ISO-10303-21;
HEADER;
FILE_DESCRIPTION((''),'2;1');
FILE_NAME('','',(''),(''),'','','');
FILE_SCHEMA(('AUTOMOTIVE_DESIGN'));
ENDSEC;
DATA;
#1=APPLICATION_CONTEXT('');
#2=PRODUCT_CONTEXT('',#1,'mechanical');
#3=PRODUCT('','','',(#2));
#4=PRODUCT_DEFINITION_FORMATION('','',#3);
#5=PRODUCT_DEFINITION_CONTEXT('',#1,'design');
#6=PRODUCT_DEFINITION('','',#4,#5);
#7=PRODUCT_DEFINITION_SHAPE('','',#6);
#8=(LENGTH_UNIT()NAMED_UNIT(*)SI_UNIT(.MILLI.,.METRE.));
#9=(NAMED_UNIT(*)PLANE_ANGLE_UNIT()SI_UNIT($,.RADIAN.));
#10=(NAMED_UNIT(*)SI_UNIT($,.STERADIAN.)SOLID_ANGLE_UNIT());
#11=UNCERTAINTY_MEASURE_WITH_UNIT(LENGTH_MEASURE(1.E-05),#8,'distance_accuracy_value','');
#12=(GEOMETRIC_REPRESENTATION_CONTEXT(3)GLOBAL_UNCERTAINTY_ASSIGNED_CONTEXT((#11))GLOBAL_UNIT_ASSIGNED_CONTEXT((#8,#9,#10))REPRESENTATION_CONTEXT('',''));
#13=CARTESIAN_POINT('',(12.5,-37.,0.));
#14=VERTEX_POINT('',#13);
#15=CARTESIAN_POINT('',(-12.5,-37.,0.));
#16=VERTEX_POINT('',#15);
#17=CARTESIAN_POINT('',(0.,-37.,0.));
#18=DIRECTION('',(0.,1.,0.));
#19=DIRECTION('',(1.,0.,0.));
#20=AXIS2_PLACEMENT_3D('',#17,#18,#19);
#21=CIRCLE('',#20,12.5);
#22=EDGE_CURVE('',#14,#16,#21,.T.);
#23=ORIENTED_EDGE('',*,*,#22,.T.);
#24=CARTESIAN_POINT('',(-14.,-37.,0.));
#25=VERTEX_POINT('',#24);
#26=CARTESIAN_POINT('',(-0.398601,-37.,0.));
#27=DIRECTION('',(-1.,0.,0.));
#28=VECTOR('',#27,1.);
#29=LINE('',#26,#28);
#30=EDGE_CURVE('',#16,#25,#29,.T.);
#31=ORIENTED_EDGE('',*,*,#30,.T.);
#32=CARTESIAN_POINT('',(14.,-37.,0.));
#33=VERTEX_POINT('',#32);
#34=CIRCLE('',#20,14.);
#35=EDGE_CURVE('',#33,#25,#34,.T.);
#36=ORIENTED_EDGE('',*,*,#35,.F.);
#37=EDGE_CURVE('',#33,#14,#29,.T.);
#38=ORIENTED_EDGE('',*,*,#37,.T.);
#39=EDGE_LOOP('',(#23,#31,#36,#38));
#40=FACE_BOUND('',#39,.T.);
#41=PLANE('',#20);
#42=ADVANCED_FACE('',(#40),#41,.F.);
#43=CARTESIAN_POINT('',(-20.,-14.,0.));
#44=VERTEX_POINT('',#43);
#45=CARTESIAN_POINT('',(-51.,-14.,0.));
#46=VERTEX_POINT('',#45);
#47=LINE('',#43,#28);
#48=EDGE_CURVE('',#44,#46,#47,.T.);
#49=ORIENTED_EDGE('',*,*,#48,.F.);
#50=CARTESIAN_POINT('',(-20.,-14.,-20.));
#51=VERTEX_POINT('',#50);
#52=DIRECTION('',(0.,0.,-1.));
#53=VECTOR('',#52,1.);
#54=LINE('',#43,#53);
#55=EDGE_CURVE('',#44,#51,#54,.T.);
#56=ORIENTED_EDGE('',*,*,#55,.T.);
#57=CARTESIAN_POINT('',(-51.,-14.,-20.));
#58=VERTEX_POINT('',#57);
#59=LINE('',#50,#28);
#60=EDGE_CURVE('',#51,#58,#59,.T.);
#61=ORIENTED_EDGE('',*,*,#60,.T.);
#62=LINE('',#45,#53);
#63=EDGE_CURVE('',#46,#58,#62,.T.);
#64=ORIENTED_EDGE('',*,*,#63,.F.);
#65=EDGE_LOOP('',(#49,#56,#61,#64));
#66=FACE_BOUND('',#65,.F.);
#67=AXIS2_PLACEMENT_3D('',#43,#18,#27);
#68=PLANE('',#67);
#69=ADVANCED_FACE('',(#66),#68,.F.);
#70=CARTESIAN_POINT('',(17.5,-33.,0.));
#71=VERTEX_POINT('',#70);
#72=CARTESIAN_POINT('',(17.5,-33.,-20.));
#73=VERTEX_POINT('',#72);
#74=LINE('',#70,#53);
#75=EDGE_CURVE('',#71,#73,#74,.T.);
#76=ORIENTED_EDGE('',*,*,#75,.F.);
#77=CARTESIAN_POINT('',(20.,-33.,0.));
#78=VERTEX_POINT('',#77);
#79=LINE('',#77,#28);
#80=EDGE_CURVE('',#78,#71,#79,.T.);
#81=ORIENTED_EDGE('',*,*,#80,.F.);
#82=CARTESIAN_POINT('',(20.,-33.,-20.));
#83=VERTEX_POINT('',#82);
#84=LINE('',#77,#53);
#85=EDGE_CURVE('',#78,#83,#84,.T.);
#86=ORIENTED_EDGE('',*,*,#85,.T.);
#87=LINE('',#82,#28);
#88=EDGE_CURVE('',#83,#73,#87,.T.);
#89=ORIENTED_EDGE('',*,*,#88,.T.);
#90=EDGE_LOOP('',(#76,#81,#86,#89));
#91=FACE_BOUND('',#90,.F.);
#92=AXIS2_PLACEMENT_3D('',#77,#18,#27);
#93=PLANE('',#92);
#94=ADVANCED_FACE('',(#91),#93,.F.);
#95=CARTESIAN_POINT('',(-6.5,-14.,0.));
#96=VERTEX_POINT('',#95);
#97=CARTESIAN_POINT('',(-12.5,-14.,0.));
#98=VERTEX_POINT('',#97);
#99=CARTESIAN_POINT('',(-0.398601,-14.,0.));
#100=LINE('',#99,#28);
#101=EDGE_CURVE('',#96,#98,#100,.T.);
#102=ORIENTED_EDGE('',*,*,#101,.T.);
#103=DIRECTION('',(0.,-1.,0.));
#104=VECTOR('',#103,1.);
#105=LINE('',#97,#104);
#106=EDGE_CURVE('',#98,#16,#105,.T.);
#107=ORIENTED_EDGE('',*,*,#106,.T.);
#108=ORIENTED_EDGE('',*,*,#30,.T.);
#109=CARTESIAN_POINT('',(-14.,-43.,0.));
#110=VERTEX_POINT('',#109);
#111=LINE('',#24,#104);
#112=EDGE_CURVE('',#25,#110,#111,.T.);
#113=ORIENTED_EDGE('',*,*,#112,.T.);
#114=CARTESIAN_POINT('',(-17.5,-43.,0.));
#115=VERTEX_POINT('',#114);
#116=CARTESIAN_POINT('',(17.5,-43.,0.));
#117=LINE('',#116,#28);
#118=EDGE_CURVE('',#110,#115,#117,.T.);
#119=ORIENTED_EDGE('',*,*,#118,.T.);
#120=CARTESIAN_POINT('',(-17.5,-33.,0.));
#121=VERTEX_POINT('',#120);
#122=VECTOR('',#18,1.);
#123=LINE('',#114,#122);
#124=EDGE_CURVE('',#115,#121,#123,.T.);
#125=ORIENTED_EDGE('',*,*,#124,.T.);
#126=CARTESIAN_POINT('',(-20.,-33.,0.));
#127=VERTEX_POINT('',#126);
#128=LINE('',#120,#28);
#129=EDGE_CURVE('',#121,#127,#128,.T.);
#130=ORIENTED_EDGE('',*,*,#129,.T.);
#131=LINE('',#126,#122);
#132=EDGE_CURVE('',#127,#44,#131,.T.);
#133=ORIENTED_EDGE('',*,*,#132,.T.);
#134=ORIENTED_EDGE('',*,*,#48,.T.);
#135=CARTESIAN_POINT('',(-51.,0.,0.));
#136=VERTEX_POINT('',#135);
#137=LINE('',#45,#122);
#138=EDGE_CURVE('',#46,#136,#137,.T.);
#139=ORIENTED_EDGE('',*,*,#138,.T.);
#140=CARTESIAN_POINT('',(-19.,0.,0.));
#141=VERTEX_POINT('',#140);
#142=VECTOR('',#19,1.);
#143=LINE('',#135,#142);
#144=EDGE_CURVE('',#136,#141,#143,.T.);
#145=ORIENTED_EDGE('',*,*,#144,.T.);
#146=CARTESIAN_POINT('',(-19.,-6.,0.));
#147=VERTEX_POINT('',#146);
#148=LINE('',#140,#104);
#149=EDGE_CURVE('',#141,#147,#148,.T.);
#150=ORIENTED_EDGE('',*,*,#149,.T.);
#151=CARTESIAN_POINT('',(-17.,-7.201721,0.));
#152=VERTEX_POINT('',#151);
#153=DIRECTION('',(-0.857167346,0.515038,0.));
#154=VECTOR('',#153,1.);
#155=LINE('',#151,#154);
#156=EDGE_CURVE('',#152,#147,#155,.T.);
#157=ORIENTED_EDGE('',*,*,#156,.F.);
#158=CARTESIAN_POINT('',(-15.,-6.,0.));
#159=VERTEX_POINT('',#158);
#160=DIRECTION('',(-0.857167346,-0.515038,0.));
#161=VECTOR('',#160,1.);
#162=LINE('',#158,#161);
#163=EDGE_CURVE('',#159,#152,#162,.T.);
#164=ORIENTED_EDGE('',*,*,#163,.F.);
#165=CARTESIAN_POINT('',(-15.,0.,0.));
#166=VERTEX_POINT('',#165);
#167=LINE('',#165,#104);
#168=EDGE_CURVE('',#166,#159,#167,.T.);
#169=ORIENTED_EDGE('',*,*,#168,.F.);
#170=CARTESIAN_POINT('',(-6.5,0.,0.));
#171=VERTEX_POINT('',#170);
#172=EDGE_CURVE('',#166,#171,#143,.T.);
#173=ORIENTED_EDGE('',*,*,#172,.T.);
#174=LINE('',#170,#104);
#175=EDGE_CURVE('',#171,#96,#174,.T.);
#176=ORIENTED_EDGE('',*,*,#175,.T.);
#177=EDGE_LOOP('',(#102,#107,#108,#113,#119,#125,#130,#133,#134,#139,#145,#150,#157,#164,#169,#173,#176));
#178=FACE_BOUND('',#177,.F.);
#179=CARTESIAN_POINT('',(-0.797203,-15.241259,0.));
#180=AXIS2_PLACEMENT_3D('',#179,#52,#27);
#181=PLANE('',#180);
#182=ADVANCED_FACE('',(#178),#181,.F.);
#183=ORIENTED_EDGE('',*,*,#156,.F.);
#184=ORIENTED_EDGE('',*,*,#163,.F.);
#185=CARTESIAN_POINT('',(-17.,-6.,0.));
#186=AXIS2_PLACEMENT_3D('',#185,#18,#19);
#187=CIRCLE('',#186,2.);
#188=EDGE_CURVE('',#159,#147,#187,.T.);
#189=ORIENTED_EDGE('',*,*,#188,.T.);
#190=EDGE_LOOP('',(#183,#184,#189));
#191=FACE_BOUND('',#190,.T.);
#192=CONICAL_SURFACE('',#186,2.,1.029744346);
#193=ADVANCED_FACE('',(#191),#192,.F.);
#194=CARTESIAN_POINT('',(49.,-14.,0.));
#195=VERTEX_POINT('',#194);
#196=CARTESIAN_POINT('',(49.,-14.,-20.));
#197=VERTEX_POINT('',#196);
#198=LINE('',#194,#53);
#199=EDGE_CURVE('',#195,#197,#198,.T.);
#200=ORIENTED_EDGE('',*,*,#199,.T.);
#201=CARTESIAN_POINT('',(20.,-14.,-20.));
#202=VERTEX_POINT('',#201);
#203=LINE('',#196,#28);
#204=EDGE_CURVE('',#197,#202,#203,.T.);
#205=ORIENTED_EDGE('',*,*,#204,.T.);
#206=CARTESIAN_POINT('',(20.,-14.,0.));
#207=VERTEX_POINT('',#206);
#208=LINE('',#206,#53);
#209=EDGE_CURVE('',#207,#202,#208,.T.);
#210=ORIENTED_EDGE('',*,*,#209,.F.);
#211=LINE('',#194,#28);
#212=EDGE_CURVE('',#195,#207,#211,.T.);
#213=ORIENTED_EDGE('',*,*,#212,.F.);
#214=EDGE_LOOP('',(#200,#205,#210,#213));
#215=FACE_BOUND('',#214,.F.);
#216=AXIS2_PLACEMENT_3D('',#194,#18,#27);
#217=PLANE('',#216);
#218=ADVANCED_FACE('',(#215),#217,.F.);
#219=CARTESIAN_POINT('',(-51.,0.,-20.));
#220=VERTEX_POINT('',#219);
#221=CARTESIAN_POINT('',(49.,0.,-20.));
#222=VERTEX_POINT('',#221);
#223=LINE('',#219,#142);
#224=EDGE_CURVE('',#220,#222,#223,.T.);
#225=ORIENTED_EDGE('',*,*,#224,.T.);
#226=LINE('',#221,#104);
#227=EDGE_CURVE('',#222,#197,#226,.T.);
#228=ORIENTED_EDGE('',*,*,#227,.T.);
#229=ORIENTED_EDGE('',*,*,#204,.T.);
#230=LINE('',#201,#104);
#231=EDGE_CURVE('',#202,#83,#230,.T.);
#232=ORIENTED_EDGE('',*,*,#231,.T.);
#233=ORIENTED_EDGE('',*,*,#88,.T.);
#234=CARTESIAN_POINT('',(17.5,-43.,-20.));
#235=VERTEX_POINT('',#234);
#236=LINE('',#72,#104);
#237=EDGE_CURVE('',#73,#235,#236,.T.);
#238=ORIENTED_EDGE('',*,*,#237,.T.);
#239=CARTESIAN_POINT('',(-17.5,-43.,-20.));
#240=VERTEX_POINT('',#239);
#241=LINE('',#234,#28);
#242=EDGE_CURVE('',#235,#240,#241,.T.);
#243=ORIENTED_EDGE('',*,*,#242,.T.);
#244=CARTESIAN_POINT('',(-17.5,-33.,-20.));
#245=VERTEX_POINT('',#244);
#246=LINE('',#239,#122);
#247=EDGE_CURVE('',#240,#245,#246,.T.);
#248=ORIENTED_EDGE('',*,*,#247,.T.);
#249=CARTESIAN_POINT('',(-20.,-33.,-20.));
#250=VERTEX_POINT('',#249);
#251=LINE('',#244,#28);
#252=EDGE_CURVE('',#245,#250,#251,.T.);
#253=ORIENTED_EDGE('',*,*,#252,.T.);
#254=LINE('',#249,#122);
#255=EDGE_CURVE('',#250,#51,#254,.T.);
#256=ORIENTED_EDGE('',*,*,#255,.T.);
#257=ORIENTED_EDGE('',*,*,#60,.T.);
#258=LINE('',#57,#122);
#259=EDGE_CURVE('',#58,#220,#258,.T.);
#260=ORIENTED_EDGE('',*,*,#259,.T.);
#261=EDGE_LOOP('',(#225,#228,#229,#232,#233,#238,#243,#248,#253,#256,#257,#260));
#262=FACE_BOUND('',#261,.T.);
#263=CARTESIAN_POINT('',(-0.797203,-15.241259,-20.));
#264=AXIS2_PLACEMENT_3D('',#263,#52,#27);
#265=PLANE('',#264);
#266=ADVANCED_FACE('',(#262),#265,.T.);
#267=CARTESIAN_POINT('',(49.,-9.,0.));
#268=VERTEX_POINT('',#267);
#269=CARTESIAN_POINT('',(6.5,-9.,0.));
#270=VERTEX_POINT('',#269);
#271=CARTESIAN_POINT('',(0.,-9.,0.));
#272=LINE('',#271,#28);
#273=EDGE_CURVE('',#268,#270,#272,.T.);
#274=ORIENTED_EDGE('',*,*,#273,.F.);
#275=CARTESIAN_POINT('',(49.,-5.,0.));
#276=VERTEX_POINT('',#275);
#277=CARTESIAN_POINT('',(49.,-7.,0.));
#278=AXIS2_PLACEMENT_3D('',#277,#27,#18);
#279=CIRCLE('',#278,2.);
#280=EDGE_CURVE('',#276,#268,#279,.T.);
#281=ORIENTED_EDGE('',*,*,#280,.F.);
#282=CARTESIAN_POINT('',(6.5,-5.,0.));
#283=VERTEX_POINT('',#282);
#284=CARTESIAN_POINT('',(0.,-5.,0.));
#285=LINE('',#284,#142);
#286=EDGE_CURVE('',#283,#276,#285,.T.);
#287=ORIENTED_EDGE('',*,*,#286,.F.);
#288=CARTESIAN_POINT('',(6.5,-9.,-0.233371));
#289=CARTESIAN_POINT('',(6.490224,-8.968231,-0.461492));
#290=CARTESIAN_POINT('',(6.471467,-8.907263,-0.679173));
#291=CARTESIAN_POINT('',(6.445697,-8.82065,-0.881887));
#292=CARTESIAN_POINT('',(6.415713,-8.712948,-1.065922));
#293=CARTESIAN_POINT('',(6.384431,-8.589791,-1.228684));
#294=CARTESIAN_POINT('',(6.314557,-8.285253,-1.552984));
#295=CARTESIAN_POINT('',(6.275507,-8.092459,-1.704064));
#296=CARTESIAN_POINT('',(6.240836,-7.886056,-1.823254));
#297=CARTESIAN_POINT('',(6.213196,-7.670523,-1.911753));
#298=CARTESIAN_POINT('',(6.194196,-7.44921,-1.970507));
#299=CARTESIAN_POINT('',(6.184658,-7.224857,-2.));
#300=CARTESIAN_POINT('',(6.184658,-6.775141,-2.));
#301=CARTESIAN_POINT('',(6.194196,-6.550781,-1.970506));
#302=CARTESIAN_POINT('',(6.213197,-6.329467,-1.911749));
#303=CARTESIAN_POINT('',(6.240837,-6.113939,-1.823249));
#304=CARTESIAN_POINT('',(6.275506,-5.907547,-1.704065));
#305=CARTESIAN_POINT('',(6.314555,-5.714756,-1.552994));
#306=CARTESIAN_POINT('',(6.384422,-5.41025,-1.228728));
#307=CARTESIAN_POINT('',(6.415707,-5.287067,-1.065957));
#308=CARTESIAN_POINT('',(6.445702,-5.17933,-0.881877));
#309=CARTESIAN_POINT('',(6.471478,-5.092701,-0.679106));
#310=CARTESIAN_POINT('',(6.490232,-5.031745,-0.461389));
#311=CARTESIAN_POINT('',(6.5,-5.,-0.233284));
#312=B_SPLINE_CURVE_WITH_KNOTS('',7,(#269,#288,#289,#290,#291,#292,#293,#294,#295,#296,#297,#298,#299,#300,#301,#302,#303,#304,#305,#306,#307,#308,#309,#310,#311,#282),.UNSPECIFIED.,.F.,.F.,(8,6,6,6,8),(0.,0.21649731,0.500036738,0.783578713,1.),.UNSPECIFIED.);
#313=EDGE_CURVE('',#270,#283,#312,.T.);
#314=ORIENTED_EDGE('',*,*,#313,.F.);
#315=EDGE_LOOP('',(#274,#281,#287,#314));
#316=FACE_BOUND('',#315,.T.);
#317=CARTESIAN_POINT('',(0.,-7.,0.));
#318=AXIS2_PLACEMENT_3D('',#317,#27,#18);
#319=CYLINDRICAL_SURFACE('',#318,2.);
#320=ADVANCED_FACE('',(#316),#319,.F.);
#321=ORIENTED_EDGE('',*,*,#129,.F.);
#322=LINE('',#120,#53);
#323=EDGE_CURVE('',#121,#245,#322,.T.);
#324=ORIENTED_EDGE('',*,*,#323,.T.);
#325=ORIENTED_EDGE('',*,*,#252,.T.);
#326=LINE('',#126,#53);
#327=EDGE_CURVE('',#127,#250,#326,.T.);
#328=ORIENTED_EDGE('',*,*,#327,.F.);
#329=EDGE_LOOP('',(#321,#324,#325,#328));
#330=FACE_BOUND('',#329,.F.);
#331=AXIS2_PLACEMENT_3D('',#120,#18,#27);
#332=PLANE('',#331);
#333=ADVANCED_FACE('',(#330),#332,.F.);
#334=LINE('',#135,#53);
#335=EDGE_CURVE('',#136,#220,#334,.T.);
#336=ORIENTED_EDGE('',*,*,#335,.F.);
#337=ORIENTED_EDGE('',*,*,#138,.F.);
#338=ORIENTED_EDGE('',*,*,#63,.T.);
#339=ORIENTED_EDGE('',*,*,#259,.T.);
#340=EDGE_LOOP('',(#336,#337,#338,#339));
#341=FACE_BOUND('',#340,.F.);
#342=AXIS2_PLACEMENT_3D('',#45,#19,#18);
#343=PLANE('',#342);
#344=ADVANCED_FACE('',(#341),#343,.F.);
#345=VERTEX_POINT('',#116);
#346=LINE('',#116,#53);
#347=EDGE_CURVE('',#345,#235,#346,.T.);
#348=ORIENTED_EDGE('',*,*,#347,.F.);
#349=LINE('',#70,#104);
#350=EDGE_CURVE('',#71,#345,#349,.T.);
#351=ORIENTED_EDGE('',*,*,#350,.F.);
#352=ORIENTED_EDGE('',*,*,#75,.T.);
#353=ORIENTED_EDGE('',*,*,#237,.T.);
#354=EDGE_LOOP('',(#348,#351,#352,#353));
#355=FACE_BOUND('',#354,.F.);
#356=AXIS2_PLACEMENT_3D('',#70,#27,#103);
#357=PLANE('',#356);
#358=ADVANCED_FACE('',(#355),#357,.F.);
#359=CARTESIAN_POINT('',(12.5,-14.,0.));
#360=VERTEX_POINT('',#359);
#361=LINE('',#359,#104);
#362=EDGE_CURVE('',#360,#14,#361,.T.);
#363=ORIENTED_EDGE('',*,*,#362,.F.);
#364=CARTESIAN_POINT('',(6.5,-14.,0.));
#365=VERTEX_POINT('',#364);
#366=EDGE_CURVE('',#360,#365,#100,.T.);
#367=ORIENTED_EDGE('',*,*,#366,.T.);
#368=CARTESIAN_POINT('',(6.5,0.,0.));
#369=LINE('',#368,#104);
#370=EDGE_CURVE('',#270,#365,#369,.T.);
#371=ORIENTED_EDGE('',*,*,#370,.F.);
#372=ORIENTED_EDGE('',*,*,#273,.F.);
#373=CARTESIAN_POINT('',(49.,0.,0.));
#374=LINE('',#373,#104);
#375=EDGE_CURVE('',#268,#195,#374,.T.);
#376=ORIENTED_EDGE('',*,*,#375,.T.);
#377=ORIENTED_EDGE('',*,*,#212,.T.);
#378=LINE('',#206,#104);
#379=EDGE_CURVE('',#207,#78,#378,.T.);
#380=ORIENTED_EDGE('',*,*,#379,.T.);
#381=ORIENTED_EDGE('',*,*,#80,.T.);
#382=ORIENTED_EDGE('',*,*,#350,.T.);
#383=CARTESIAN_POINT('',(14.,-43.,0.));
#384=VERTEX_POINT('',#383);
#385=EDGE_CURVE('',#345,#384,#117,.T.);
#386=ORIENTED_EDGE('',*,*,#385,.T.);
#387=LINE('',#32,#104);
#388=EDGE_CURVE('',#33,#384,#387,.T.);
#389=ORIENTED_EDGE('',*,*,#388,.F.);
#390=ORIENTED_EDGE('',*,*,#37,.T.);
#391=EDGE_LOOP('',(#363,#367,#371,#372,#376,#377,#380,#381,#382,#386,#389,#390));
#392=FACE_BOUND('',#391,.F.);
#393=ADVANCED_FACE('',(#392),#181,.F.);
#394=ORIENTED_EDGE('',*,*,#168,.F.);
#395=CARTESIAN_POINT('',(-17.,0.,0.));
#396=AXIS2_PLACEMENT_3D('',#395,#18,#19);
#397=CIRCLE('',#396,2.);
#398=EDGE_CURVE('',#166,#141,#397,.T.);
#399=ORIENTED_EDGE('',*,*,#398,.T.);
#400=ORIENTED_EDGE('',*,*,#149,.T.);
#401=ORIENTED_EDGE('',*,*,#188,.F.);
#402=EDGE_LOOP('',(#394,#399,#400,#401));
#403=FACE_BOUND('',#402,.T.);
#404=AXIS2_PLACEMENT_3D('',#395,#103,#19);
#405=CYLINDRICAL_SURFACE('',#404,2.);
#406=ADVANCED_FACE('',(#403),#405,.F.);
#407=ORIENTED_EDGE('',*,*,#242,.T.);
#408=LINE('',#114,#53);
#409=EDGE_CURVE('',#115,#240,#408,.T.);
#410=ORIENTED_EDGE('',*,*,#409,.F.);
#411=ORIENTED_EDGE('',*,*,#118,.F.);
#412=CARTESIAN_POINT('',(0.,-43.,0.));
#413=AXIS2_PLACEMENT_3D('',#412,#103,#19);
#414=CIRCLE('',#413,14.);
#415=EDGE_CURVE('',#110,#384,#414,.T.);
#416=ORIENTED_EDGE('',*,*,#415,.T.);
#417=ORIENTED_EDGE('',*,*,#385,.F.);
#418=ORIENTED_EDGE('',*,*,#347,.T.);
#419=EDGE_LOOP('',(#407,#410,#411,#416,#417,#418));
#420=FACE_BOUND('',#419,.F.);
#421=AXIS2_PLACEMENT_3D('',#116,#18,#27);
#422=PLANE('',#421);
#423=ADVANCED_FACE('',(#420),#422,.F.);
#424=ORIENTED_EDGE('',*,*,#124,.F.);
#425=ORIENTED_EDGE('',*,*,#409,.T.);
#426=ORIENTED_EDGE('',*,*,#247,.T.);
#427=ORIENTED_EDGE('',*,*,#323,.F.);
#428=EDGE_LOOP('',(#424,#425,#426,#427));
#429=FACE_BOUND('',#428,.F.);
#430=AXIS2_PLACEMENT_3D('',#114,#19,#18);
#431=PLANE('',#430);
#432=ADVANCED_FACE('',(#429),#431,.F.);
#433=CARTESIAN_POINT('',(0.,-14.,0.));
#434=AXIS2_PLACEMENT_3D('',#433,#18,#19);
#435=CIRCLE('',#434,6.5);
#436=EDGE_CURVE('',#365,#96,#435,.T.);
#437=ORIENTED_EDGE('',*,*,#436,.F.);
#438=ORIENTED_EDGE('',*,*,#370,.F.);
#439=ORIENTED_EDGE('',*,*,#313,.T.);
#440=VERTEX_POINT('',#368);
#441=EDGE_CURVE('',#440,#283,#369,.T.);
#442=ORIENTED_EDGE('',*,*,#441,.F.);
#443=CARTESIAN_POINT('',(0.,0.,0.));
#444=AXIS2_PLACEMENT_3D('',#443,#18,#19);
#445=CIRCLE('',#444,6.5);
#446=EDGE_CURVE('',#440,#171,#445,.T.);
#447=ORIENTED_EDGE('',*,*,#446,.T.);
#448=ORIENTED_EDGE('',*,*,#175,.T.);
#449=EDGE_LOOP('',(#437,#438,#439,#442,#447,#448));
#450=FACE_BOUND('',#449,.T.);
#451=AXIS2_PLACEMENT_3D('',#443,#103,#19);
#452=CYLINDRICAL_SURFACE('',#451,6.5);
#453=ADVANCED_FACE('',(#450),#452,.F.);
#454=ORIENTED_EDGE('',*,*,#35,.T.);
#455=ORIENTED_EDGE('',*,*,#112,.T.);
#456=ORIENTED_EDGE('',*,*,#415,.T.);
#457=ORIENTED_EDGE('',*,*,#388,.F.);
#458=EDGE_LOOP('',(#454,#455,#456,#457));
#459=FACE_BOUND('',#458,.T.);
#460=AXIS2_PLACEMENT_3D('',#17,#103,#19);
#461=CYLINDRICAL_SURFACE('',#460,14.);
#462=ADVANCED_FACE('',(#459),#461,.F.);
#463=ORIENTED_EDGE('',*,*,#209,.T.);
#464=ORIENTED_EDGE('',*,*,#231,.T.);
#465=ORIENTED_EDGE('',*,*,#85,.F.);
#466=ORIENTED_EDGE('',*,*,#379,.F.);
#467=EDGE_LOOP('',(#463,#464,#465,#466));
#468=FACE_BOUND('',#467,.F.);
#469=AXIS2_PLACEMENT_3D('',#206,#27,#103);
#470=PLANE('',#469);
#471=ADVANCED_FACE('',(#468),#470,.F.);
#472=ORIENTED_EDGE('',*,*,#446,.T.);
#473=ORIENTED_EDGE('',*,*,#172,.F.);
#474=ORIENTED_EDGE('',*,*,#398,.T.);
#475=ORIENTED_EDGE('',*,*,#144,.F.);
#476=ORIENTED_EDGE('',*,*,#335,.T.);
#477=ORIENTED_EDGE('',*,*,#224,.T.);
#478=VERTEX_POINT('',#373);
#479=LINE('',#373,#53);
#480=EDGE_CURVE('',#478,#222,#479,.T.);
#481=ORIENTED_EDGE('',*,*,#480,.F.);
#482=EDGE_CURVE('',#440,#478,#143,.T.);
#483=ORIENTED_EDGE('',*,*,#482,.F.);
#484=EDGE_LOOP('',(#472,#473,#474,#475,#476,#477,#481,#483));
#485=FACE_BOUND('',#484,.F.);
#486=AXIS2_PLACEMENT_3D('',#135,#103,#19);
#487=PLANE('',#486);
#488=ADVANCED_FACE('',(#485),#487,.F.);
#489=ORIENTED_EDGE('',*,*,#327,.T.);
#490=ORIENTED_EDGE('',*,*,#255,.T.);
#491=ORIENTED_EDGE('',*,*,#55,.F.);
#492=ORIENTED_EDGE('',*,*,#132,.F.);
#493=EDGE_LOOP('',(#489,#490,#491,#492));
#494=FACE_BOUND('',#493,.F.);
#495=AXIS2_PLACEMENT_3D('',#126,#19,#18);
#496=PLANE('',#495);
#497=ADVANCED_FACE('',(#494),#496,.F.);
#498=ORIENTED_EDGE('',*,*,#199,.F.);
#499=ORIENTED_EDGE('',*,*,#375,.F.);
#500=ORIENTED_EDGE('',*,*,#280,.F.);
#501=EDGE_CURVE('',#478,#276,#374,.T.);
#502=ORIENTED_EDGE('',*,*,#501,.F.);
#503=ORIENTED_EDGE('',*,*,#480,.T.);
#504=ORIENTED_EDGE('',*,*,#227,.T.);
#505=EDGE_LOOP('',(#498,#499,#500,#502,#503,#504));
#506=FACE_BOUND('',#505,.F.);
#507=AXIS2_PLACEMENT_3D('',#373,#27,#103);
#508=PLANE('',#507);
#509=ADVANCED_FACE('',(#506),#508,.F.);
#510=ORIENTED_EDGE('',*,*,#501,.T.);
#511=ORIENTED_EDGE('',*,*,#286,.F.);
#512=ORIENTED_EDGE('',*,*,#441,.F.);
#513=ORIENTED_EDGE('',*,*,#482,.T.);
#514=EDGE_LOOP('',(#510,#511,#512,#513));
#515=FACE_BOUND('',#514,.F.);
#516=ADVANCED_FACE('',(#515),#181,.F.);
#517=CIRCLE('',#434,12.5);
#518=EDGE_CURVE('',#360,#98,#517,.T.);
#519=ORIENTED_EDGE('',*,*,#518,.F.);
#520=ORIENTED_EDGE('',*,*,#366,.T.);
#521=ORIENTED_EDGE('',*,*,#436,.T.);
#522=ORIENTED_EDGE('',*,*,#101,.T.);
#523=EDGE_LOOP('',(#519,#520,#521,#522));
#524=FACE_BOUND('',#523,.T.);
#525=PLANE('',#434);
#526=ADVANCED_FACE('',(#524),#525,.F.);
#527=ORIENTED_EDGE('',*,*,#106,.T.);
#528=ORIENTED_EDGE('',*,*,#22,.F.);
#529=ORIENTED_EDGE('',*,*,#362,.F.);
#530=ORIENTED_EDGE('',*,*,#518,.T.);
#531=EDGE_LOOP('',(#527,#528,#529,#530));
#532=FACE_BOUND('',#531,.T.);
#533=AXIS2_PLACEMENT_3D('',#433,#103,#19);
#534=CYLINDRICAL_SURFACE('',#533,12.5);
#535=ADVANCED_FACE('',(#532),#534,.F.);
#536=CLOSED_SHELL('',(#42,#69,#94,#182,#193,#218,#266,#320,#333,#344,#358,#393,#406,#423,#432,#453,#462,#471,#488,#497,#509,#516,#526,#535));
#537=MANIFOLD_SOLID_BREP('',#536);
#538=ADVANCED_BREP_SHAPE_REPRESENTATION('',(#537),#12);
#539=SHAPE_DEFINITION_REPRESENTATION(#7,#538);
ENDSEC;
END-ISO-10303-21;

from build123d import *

# Parameters (mm, degrees)
PAD_DEPTH    = 20
SKETCH002_R  = 2
POCKET_DEPTH = 50


with BuildPart() as part:
    # Sketch → Pad (new body)
    with BuildSketch(Plane.XY):
        Polygon((-51, 0), (49, 0), (49, -14), (20, -14), (20, -33), (17.5, -33), (17.5, -43), (-17.5, -43), (-17.5, -33), (-20, -33), (-20, -14), (-51, -14), align=None)
    extrude(amount=-PAD_DEPTH)

    # Sketch001 → Groove (revolve, cut)
    with BuildSketch(Plane.XY):
        Polygon((0, 0), (6.5, 0), (6.5, -14), (12.5, -14), (12.5, -37), (14, -37), (14, -45), (0, -45), align=None)
    revolve(axis=Axis((0, 0, 0), (0, 1, 0)), mode=Mode.SUBTRACT)

    # Sketch002 → Pocket (cut)
    with BuildSketch(Plane.YZ):
        with Locations((-7, 0)):
            Circle(SKETCH002_R)
    extrude(amount=POCKET_DEPTH, mode=Mode.SUBTRACT)

    # Sketch003 → Groove001 (revolve, cut)
    with BuildSketch(Plane(origin=(-17, 0, 0), x_dir=(1, 0, 0), z_dir=(0, 0, 1))):
        Polygon((0, 0), (2, 0), (2, -6), (0, -7.201721), align=None)
    revolve(axis=Axis((-17, 0, 0), (0, 1, 0)), mode=Mode.SUBTRACT)


solid = part.part
